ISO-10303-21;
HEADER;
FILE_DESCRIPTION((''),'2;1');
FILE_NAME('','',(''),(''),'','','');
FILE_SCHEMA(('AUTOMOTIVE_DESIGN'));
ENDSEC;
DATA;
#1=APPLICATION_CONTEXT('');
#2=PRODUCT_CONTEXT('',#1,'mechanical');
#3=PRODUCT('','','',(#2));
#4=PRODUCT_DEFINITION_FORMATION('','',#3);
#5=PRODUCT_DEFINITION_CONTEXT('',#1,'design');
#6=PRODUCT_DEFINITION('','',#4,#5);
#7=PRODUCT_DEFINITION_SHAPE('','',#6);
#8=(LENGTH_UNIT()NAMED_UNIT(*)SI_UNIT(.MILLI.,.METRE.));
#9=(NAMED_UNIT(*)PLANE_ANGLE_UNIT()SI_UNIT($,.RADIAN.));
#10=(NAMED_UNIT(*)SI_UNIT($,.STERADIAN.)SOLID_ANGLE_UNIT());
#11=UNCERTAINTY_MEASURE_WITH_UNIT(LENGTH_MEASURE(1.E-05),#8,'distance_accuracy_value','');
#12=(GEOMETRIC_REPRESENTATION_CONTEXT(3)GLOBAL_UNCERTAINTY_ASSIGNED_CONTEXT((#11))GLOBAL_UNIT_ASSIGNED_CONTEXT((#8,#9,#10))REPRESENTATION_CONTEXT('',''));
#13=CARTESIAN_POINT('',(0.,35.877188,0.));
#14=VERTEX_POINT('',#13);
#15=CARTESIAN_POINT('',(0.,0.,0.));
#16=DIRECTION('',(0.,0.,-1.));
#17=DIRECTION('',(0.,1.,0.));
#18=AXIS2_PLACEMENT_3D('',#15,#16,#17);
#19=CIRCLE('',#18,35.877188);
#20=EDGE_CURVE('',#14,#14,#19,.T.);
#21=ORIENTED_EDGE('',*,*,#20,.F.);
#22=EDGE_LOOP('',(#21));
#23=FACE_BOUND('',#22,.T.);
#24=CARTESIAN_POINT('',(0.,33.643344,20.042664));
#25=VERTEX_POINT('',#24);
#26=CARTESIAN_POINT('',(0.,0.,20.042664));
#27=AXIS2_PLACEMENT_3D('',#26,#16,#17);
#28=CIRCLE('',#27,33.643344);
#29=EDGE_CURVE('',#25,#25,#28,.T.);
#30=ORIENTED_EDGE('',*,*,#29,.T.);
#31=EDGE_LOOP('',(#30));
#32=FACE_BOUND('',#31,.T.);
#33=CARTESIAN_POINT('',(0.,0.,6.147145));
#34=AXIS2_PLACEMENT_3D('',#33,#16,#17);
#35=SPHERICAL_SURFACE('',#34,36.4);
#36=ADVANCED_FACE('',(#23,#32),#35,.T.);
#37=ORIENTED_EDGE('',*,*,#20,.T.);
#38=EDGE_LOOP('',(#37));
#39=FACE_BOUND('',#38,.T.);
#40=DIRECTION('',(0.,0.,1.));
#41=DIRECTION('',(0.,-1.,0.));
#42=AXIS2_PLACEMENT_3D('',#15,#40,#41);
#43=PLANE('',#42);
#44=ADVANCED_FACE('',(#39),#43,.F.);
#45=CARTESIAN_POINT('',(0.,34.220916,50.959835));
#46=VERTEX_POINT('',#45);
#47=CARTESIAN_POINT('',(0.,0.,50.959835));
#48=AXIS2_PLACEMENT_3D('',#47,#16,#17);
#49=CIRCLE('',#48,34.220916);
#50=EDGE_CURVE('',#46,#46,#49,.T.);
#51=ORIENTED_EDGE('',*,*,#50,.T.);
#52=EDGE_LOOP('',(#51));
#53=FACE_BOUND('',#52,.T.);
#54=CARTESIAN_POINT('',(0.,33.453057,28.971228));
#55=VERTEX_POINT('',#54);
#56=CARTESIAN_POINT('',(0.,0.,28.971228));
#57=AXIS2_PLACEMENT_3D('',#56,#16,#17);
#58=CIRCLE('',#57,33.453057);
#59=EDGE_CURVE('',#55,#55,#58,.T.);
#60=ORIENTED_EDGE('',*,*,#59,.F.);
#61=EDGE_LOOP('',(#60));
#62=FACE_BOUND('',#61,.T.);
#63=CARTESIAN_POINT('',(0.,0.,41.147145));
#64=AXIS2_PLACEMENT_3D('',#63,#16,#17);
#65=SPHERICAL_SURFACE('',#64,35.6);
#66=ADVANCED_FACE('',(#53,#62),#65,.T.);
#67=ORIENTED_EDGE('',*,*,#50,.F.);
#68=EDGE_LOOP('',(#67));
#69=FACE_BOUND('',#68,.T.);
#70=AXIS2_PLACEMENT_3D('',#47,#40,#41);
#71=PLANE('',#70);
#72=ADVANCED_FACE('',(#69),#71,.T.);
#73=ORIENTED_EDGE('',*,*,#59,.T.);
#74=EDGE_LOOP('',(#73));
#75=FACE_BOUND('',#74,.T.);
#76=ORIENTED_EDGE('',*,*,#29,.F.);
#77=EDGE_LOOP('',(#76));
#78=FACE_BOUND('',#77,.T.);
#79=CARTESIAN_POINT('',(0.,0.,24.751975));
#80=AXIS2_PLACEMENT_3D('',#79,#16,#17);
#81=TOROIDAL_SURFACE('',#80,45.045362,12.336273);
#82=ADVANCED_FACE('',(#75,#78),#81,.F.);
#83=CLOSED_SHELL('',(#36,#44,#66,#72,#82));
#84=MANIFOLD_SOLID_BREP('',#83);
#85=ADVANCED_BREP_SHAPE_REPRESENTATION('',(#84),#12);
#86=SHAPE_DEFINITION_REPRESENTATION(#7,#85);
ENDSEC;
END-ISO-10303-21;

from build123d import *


with BuildPart() as part:
    # Sketch1 → Revolve1 (revolve)
    with BuildSketch(Plane(origin=(0, 0, 0), x_dir=(0, 0, -1), z_dir=(1, 0, 0))):
        with BuildLine():
            Line((-50.959835356, 0), (0, 0))
            Line((0, 0), (0, 34.862194457))
            ThreePointArc((0, 34.862194457), (-9.983164412, 35.191546696), (-19.660918939, 32.719075891))
            ThreePointArc((-19.660918939, 32.719075891), (-22.156838697, 31.96402236), (-24.751974583, 31.709089016))
            ThreePointArc((-24.751974583, 31.709089016), (-27.067794058, 31.911696967), (-29.31324853, 32.513364679))
            ThreePointArc((-29.31324853, 32.513364679), (-40.083090543, 34.583634671), (-50.959835356, 33.179377896))
            Line((-50.959835356, 33.179377896), (-50.959835356, 0))
        make_face()
        with BuildLine():
            ThreePointArc((-19.660918939, 32.719075891), (-9.983164412, 35.191546696), (0, 34.862194457))
            Line((0, 34.862194457), (0, 35.877187771))
            ThreePointArc((0, 35.877187771), (-10.179122164, 36.1760026), (-20.042663952, 33.643343571))
            ThreePointArc((-20.042663952, 33.643343571), (-22.351430988, 32.944906574), (-24.751974583, 32.709089016))
            ThreePointArc((-24.751974583, 32.709089016), (-26.89414588, 32.89650472), (-28.971228387, 33.4530573))
            ThreePointArc((-28.971228387, 33.4530573), (-39.904723407, 35.578313442), (-50.959835356, 34.220916375))
            Line((-50.959835356, 34.220916375), (-50.959835356, 33.179377896))
            ThreePointArc((-50.959835356, 33.179377896), (-40.083090543, 34.583634671), (-29.31324853, 32.513364679))
            ThreePointArc((-29.31324853, 32.513364679), (-27.067794058, 31.911696967), (-24.751974583, 31.709089016))
            ThreePointArc((-24.751974583, 31.709089016), (-22.156838697, 31.96402236), (-19.660918939, 32.719075891))
        make_face()
    revolve(axis=Axis((0, 0, 0), (0, 0, 1)))


solid = part.part
